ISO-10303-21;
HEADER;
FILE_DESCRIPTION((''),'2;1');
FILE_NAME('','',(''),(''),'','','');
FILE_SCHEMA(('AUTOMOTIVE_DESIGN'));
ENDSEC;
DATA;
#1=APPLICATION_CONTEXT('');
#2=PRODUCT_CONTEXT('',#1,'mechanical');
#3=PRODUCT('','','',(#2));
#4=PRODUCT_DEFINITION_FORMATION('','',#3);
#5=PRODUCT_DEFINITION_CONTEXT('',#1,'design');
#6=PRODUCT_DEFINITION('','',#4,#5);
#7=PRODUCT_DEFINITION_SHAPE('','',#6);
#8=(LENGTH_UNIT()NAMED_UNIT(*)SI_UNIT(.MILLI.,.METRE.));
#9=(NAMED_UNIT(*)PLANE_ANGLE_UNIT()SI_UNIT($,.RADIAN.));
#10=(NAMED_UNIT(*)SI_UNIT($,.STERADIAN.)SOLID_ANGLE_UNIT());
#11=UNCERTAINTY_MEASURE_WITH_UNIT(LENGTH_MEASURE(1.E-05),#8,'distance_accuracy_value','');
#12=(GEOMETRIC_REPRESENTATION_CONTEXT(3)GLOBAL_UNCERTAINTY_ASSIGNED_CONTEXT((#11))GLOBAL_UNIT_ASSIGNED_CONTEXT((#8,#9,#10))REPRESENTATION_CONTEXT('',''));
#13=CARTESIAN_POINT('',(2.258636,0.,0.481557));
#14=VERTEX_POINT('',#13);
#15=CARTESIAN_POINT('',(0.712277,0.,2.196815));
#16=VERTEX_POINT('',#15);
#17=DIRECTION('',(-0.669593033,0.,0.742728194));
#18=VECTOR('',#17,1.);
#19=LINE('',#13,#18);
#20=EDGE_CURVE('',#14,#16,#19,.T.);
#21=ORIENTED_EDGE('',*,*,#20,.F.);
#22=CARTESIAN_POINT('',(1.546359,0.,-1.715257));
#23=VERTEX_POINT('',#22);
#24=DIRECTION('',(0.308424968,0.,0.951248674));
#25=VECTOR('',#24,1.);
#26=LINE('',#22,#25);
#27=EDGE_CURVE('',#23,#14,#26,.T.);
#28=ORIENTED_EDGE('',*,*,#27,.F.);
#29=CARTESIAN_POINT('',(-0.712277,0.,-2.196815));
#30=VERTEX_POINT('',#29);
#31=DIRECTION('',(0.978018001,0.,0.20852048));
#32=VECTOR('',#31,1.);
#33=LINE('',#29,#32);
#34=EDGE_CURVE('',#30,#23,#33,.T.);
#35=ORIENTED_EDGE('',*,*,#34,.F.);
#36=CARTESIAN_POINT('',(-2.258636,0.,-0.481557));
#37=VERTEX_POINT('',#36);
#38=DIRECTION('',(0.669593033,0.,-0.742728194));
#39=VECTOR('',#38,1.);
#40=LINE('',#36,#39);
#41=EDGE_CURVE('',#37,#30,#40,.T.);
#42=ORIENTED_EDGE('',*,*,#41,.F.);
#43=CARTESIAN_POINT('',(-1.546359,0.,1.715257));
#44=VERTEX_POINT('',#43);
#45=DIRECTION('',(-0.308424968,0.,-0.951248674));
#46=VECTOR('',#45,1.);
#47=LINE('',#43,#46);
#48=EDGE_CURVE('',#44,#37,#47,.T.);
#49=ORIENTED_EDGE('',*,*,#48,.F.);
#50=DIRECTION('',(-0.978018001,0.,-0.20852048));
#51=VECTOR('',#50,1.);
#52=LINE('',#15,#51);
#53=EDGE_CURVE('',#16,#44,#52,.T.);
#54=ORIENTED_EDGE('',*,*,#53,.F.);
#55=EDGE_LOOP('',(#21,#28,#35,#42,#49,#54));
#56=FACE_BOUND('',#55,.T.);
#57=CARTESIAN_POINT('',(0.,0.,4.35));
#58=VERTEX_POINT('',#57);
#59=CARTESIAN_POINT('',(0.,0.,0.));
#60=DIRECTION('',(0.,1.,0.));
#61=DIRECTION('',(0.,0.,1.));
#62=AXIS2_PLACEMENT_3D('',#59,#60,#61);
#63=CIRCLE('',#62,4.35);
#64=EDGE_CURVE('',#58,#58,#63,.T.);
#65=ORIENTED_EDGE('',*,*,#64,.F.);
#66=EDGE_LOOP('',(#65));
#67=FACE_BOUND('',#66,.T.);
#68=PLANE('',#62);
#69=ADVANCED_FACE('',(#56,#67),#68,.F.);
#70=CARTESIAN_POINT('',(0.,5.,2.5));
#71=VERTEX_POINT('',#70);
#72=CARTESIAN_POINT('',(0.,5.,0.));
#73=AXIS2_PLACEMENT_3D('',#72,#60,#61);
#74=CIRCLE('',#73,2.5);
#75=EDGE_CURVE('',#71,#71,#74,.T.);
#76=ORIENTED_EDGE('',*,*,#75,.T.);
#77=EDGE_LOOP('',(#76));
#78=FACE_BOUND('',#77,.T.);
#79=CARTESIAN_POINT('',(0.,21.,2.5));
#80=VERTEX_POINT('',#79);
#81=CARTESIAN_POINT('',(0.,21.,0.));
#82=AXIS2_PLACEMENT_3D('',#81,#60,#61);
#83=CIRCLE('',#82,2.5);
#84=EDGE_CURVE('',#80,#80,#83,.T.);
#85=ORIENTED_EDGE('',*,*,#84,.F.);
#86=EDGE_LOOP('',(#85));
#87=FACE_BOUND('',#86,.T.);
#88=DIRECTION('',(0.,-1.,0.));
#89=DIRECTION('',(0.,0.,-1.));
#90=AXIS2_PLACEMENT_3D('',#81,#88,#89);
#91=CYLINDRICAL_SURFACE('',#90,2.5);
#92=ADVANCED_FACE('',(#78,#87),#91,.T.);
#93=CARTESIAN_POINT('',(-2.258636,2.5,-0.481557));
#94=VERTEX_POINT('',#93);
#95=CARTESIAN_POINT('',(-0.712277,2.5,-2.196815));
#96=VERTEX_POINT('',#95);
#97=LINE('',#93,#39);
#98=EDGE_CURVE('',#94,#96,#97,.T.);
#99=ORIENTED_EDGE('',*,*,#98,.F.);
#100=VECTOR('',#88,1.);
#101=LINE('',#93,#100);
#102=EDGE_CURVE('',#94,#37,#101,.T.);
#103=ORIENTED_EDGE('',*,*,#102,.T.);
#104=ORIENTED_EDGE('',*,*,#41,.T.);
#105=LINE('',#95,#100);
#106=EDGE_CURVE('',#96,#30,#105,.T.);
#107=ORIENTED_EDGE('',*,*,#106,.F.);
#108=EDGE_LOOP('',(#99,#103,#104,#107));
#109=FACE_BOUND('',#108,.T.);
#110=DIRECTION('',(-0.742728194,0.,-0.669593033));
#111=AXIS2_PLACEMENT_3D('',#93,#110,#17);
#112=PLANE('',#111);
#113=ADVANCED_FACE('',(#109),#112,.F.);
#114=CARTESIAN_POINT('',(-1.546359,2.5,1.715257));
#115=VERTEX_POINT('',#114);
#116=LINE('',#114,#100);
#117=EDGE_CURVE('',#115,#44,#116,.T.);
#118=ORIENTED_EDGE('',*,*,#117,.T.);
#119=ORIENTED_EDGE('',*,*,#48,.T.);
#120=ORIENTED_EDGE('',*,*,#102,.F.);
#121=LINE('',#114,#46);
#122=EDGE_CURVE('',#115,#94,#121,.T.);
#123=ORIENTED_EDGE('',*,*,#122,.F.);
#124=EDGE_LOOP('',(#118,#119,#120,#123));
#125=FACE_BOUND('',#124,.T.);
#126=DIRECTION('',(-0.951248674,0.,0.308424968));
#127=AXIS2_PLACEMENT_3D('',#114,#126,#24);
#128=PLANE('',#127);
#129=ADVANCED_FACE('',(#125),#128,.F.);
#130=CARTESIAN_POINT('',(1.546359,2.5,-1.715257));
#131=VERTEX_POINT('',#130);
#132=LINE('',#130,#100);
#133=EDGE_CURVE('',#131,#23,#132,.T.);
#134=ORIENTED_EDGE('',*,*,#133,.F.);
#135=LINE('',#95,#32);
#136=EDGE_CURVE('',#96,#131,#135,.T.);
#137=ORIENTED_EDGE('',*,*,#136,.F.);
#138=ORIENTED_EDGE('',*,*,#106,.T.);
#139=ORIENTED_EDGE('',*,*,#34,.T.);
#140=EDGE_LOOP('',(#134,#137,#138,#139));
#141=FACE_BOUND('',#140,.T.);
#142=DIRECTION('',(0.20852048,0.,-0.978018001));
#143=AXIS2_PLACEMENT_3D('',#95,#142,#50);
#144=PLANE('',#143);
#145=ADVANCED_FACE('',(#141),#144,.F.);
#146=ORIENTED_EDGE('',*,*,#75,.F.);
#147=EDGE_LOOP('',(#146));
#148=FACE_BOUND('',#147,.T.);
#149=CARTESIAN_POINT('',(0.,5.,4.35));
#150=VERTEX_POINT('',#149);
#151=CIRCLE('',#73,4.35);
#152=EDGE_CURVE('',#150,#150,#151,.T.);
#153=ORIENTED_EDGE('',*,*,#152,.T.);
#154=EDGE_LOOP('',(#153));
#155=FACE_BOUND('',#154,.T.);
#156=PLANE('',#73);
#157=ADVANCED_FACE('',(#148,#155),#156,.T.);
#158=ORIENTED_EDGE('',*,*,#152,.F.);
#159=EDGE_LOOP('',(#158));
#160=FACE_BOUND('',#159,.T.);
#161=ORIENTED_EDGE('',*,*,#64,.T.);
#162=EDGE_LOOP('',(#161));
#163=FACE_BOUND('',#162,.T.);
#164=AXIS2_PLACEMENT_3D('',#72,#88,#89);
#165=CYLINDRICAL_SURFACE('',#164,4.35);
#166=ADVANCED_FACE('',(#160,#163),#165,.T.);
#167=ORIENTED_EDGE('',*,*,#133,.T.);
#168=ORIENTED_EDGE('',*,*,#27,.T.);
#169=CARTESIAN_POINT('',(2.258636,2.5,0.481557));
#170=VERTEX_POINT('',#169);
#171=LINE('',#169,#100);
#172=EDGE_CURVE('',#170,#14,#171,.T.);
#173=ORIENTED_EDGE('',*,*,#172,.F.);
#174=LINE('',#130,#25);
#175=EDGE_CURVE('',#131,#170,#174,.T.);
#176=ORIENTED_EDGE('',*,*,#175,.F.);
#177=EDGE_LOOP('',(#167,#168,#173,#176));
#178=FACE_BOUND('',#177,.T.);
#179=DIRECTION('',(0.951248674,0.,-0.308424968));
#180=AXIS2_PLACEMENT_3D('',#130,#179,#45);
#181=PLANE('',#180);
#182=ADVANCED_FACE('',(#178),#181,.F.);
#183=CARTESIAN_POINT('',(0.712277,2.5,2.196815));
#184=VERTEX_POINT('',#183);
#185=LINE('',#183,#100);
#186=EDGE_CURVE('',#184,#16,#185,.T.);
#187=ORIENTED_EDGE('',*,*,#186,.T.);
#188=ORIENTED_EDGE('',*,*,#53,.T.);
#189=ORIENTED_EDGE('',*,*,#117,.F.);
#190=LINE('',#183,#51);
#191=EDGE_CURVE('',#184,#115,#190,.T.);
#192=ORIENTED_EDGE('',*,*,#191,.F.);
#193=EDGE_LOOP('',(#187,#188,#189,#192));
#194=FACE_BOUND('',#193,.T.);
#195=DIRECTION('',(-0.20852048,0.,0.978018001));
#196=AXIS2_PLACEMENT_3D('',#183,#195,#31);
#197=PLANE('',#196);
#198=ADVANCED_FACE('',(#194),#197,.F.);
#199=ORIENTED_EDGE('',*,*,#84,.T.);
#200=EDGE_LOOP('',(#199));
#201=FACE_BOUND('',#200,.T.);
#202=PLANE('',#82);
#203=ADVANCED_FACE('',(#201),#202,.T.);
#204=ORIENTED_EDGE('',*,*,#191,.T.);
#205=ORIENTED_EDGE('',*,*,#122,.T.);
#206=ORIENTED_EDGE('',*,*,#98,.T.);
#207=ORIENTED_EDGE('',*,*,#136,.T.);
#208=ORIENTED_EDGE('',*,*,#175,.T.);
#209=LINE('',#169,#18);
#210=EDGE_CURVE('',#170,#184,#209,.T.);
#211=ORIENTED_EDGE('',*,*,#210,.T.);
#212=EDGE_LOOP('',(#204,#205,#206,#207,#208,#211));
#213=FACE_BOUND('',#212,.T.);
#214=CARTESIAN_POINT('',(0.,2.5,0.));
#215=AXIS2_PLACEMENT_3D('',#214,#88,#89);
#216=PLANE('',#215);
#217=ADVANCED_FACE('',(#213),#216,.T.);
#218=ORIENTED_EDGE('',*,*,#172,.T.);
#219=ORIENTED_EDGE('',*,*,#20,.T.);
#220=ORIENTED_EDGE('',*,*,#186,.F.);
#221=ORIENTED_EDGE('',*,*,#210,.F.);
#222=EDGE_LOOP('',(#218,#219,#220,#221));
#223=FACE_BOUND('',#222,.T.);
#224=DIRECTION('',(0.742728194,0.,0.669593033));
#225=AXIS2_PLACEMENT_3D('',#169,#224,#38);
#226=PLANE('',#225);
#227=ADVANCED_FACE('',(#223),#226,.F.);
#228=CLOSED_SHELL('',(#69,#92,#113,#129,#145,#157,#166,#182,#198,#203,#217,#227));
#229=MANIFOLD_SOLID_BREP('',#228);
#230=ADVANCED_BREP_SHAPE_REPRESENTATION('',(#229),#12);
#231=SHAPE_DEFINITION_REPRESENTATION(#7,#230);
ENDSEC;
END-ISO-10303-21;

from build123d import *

# Parameters (mm, degrees)
SKETCH_1_R          = 4.35
EXTRUDE_1_DEPTH     = 5
SKETCH_2_R          = 2.5
EXTRUDE_2_DEPTH     = 16
CUT_EXTRUDE_1_DEPTH = 2.5


with BuildPart() as part:
    # 草图1 → 凸台-拉伸1 (new body)
    with BuildSketch(Plane(origin=(0, 0, 0), x_dir=(1, 0, 0), z_dir=(0, 1, 0))):
        with Locations(Location((0, 0, 0), (0, 0, 270))):
            Circle(SKETCH_1_R)
    extrude(amount=EXTRUDE_1_DEPTH)

    # 草图2 → 凸台-拉伸2 (add)
    with BuildSketch(Plane(origin=(0, 5, 0), x_dir=(1, 0, 0), z_dir=(0, 1, 0))):
        with Locations(Location((0, 0, 0), (0, 0, 270))):
            Circle(SKETCH_2_R)
    extrude(amount=EXTRUDE_2_DEPTH)

    # 草图3 → 切除-拉伸1 (cut)
    with BuildSketch(Plane.XZ):
        Polygon((1.546358871, -1.715257291), (2.258635824, 0.48155742), (0.712276953, 2.196814711), (-1.546358871, 1.715257291), (-2.258635824, -0.48155742), (-0.712276953, -2.196814711), align=None)
    extrude(amount=-CUT_EXTRUDE_1_DEPTH, mode=Mode.SUBTRACT)


solid = part.part
